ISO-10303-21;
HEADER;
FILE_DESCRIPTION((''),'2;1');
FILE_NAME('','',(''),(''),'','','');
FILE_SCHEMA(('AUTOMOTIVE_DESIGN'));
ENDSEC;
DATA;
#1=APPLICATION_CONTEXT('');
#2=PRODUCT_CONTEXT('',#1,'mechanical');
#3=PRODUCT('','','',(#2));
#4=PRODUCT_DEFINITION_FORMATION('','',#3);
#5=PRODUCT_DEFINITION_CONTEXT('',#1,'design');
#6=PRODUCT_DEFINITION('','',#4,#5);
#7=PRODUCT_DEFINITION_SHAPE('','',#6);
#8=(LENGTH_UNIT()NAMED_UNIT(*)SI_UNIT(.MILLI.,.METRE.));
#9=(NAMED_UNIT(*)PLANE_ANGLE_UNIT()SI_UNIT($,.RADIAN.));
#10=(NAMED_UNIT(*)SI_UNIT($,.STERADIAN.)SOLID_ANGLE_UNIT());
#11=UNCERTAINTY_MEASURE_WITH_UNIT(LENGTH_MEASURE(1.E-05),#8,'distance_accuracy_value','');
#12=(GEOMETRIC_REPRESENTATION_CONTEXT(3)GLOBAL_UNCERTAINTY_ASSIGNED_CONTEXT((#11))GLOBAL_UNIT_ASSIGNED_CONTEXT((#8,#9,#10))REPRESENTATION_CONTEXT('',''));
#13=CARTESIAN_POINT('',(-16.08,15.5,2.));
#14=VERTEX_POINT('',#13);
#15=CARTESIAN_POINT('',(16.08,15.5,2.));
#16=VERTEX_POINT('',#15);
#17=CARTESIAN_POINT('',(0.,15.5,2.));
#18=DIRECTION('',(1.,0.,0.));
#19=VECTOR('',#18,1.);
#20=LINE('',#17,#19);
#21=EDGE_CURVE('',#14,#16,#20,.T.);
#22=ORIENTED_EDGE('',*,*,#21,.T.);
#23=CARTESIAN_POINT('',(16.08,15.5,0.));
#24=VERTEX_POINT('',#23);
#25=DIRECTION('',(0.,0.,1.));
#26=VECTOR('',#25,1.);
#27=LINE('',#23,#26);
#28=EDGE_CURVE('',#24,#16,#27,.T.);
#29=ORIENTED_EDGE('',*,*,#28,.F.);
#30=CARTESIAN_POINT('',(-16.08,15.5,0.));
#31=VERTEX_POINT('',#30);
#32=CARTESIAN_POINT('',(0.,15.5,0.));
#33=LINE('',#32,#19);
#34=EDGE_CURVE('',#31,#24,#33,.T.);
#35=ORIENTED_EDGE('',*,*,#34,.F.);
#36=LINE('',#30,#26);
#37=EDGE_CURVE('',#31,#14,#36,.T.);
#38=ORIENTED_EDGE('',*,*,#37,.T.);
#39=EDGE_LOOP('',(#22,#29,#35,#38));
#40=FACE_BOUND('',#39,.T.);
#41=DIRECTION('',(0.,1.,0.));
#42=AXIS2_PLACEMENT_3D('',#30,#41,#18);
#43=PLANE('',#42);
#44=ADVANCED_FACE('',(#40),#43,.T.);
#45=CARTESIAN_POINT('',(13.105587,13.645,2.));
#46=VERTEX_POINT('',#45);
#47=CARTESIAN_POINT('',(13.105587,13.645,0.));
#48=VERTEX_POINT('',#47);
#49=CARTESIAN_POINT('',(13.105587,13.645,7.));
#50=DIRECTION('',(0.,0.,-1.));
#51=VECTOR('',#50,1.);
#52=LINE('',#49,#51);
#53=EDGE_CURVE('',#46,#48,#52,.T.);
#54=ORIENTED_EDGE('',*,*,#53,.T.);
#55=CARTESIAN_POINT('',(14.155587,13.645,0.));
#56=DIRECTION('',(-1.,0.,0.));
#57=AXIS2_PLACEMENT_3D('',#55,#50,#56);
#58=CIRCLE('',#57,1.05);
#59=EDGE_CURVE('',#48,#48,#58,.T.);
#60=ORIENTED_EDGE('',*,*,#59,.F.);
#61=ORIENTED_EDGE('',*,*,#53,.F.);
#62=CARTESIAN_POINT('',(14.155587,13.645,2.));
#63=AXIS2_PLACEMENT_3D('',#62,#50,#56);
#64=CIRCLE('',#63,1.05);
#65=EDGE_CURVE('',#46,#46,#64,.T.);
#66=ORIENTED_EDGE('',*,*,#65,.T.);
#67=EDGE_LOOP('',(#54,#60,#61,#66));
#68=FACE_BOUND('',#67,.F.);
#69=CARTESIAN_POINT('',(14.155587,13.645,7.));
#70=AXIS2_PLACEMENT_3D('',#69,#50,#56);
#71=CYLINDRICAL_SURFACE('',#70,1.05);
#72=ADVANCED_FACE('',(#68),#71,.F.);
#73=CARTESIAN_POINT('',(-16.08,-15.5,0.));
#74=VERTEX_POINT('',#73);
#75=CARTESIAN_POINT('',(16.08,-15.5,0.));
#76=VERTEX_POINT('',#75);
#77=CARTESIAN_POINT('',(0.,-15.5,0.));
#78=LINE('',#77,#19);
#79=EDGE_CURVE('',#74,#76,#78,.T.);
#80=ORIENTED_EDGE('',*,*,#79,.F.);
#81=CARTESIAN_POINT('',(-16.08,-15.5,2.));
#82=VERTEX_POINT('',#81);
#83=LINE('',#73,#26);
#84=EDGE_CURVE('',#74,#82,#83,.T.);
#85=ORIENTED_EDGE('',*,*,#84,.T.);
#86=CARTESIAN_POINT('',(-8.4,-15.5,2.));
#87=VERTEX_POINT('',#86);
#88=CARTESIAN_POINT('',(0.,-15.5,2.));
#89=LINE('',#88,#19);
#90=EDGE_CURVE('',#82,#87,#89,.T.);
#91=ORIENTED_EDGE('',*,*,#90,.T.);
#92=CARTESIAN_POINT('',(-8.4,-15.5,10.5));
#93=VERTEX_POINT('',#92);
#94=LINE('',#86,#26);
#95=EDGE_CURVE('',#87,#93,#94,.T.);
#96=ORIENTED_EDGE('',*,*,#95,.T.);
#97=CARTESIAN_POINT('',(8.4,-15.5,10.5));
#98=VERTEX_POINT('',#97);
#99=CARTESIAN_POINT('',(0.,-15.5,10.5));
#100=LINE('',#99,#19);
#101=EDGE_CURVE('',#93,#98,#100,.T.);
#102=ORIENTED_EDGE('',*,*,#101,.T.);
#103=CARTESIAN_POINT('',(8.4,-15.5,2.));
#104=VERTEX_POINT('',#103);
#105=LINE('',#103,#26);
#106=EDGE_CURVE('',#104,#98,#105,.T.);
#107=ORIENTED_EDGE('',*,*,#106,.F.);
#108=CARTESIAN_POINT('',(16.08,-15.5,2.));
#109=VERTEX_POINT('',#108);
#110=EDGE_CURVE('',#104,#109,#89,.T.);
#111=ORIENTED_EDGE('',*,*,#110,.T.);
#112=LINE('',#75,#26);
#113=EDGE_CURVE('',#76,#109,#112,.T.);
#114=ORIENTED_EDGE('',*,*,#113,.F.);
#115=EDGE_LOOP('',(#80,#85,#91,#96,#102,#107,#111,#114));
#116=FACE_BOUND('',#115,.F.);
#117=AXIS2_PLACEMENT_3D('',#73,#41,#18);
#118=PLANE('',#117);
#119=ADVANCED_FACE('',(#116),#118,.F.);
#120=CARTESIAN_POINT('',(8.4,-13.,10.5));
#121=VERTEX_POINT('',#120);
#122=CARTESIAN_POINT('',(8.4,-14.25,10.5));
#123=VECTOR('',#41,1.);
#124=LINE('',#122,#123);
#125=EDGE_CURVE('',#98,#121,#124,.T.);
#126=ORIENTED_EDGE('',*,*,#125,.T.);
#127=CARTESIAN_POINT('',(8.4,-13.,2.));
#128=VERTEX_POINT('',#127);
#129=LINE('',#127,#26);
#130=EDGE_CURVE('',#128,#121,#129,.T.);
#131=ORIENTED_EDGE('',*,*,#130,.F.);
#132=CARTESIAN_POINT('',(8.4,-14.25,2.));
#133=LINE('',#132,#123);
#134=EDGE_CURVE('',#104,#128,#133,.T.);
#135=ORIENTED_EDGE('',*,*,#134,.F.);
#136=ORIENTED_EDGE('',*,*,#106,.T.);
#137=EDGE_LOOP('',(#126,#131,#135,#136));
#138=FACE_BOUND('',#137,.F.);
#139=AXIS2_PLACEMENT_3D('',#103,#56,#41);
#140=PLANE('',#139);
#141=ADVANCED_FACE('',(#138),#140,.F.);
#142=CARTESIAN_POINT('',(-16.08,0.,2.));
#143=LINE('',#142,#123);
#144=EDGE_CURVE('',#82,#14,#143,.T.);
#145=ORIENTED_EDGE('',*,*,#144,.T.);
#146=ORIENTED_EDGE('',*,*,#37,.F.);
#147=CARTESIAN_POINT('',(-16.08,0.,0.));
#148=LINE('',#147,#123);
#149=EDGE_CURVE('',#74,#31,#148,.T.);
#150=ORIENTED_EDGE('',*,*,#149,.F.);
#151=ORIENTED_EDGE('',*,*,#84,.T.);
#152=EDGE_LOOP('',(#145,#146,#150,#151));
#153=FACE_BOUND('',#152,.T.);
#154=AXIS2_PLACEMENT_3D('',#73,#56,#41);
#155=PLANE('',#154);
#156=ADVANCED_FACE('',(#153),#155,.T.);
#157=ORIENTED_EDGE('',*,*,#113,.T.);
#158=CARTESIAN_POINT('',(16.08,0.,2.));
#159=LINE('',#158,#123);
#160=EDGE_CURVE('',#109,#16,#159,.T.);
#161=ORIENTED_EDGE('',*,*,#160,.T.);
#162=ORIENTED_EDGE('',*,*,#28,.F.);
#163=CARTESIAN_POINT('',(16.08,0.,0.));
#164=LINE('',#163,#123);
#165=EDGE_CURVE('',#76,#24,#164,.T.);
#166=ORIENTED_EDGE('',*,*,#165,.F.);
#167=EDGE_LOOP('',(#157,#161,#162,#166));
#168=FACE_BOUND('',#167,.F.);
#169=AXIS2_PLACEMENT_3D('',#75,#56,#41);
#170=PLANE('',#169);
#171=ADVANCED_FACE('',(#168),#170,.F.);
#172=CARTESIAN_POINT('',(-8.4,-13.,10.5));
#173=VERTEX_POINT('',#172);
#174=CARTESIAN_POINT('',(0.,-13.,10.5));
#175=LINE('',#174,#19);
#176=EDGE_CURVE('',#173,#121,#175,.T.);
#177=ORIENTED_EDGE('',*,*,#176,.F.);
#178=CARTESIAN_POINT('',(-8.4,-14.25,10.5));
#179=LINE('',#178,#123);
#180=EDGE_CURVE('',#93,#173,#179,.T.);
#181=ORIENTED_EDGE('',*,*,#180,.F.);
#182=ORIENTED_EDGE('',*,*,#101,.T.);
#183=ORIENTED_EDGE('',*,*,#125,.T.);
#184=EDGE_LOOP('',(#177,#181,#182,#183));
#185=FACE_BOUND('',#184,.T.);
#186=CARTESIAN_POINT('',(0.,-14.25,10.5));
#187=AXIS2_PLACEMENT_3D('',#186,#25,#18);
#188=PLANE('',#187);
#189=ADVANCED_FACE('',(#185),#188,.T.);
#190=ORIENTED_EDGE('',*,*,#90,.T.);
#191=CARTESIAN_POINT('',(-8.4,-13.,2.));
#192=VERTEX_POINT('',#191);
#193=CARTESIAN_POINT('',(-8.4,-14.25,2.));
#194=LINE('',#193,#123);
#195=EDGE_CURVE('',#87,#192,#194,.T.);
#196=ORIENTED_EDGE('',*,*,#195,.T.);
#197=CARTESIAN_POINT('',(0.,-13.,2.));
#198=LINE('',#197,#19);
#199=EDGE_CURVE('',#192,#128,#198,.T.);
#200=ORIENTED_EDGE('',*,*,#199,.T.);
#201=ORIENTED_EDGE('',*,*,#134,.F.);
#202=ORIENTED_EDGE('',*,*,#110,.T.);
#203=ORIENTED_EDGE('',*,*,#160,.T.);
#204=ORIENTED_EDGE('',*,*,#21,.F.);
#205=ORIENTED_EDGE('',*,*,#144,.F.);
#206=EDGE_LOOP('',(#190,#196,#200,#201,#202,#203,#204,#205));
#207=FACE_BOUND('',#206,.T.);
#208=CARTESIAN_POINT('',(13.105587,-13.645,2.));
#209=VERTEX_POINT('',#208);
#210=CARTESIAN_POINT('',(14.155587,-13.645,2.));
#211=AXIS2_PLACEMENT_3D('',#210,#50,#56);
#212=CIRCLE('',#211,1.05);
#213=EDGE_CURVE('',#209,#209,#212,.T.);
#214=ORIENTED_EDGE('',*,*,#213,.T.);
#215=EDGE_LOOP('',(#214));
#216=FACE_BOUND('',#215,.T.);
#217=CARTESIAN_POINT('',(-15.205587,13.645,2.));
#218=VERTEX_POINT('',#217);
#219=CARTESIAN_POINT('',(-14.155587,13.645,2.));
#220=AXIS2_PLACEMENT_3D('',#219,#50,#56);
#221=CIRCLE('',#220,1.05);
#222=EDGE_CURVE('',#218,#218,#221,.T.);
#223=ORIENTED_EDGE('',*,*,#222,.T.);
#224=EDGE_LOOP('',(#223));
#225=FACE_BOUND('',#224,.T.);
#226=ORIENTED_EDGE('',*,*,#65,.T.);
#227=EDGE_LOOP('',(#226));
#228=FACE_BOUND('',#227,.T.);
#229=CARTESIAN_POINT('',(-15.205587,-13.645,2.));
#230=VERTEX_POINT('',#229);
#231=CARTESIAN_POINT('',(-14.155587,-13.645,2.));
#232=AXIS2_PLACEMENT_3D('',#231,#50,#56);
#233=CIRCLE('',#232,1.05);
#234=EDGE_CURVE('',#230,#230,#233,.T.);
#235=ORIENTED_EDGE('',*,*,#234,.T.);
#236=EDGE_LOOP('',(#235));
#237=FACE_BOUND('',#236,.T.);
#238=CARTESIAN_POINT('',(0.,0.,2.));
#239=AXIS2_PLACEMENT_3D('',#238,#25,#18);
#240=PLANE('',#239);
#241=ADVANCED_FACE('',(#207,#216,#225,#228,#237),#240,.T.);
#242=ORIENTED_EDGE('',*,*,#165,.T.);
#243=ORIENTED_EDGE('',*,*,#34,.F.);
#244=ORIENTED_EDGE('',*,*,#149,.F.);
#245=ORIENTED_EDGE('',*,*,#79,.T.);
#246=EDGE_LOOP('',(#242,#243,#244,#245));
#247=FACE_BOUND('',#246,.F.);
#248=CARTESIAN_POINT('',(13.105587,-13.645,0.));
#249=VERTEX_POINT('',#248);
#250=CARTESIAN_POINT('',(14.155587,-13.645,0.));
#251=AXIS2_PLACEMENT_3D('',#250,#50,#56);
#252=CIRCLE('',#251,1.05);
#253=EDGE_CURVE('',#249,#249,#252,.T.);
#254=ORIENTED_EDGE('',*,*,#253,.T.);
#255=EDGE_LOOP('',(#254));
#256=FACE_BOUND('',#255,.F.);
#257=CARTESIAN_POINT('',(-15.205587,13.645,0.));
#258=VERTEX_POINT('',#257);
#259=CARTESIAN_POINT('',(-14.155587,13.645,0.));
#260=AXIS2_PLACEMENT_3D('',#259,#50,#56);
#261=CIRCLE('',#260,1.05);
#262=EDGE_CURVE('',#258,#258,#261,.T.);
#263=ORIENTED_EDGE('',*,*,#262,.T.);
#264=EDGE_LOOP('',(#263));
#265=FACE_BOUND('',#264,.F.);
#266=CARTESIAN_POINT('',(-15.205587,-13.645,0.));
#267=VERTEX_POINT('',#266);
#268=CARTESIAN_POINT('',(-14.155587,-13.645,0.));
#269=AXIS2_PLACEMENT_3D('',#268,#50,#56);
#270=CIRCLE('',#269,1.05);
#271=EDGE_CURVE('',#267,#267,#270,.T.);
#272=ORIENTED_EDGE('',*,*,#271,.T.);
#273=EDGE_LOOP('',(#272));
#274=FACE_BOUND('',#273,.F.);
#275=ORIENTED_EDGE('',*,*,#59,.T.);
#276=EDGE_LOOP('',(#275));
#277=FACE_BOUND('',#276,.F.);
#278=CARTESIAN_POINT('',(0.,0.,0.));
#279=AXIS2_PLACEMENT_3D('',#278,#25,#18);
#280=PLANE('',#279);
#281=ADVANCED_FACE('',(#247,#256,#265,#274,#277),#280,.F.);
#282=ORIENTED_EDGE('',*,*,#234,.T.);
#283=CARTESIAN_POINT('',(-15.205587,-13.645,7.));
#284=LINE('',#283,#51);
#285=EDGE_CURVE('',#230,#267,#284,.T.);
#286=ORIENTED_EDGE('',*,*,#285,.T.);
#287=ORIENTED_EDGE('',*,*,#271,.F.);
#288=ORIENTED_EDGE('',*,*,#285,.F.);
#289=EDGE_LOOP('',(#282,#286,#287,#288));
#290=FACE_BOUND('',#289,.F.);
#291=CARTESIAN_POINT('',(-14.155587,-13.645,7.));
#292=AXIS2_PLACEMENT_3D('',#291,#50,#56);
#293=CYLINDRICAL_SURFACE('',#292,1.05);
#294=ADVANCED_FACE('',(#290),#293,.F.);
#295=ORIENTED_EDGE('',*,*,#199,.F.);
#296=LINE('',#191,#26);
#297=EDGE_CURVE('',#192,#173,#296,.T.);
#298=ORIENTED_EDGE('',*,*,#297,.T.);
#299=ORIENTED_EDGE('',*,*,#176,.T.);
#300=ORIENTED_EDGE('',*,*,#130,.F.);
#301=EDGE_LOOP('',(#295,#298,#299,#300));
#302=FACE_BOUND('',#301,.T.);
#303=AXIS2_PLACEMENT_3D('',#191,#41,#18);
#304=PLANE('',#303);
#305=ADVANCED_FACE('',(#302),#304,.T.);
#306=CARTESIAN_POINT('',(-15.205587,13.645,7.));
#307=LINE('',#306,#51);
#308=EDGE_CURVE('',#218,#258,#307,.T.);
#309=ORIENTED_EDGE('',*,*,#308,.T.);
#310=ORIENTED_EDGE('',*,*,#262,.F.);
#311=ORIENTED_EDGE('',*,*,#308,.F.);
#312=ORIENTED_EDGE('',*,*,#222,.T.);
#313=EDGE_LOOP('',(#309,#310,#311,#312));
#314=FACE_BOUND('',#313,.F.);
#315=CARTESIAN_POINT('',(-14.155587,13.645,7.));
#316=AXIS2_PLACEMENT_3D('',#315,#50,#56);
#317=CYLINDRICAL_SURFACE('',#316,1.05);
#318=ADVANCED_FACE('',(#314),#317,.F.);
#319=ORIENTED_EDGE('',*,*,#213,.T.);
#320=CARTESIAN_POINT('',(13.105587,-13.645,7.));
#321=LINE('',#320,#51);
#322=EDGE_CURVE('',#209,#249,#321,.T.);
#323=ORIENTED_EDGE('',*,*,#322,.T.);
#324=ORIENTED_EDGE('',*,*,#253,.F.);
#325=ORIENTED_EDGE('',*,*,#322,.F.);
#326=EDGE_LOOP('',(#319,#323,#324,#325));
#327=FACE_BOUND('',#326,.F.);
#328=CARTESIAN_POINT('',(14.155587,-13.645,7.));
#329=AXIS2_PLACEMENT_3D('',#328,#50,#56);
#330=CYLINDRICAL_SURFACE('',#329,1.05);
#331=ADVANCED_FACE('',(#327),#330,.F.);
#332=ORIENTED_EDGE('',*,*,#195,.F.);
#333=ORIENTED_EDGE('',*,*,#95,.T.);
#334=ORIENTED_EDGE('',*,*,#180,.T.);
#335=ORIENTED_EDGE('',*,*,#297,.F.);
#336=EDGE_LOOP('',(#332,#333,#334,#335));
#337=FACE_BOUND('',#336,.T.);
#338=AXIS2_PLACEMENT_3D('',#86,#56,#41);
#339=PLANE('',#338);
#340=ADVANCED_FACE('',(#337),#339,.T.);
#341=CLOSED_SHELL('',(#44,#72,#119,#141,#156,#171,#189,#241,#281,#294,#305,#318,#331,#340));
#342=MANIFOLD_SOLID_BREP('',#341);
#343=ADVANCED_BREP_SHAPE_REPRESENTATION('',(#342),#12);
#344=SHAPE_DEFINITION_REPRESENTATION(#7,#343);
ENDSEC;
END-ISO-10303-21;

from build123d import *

# Parameters (mm, degrees)
F0_W     = 32.16
F0_H     = 31
F1_DEPTH = 2
F3_D     = 2.1
F3_DEPTH = 5
F4_W     = 16.8
F4_H     = 2.5
F5_DEPTH = 8.5


with BuildPart() as f1:
    # F0 (on Top) → F1 (new body)
    with BuildSketch(Plane.XY):
        Rectangle(F0_W, F0_H)
    extrude(amount=F1_DEPTH)

    # F3
    with Locations(Plane.XY.offset(2)):
        with Locations((-14.155587, 13.645), (14.155587, 13.645), (-14.155587, -13.645), (14.155587, -13.645)):
            Hole(F3_D / 2, depth=F3_DEPTH)

    # F4 (on face) → F5 (join)
    with BuildSketch(Plane.XY.offset(2)):
        with Locations((0, -14.25)):
            Rectangle(F4_W, F4_H)
    extrude(amount=F5_DEPTH)


solid = f1.part
